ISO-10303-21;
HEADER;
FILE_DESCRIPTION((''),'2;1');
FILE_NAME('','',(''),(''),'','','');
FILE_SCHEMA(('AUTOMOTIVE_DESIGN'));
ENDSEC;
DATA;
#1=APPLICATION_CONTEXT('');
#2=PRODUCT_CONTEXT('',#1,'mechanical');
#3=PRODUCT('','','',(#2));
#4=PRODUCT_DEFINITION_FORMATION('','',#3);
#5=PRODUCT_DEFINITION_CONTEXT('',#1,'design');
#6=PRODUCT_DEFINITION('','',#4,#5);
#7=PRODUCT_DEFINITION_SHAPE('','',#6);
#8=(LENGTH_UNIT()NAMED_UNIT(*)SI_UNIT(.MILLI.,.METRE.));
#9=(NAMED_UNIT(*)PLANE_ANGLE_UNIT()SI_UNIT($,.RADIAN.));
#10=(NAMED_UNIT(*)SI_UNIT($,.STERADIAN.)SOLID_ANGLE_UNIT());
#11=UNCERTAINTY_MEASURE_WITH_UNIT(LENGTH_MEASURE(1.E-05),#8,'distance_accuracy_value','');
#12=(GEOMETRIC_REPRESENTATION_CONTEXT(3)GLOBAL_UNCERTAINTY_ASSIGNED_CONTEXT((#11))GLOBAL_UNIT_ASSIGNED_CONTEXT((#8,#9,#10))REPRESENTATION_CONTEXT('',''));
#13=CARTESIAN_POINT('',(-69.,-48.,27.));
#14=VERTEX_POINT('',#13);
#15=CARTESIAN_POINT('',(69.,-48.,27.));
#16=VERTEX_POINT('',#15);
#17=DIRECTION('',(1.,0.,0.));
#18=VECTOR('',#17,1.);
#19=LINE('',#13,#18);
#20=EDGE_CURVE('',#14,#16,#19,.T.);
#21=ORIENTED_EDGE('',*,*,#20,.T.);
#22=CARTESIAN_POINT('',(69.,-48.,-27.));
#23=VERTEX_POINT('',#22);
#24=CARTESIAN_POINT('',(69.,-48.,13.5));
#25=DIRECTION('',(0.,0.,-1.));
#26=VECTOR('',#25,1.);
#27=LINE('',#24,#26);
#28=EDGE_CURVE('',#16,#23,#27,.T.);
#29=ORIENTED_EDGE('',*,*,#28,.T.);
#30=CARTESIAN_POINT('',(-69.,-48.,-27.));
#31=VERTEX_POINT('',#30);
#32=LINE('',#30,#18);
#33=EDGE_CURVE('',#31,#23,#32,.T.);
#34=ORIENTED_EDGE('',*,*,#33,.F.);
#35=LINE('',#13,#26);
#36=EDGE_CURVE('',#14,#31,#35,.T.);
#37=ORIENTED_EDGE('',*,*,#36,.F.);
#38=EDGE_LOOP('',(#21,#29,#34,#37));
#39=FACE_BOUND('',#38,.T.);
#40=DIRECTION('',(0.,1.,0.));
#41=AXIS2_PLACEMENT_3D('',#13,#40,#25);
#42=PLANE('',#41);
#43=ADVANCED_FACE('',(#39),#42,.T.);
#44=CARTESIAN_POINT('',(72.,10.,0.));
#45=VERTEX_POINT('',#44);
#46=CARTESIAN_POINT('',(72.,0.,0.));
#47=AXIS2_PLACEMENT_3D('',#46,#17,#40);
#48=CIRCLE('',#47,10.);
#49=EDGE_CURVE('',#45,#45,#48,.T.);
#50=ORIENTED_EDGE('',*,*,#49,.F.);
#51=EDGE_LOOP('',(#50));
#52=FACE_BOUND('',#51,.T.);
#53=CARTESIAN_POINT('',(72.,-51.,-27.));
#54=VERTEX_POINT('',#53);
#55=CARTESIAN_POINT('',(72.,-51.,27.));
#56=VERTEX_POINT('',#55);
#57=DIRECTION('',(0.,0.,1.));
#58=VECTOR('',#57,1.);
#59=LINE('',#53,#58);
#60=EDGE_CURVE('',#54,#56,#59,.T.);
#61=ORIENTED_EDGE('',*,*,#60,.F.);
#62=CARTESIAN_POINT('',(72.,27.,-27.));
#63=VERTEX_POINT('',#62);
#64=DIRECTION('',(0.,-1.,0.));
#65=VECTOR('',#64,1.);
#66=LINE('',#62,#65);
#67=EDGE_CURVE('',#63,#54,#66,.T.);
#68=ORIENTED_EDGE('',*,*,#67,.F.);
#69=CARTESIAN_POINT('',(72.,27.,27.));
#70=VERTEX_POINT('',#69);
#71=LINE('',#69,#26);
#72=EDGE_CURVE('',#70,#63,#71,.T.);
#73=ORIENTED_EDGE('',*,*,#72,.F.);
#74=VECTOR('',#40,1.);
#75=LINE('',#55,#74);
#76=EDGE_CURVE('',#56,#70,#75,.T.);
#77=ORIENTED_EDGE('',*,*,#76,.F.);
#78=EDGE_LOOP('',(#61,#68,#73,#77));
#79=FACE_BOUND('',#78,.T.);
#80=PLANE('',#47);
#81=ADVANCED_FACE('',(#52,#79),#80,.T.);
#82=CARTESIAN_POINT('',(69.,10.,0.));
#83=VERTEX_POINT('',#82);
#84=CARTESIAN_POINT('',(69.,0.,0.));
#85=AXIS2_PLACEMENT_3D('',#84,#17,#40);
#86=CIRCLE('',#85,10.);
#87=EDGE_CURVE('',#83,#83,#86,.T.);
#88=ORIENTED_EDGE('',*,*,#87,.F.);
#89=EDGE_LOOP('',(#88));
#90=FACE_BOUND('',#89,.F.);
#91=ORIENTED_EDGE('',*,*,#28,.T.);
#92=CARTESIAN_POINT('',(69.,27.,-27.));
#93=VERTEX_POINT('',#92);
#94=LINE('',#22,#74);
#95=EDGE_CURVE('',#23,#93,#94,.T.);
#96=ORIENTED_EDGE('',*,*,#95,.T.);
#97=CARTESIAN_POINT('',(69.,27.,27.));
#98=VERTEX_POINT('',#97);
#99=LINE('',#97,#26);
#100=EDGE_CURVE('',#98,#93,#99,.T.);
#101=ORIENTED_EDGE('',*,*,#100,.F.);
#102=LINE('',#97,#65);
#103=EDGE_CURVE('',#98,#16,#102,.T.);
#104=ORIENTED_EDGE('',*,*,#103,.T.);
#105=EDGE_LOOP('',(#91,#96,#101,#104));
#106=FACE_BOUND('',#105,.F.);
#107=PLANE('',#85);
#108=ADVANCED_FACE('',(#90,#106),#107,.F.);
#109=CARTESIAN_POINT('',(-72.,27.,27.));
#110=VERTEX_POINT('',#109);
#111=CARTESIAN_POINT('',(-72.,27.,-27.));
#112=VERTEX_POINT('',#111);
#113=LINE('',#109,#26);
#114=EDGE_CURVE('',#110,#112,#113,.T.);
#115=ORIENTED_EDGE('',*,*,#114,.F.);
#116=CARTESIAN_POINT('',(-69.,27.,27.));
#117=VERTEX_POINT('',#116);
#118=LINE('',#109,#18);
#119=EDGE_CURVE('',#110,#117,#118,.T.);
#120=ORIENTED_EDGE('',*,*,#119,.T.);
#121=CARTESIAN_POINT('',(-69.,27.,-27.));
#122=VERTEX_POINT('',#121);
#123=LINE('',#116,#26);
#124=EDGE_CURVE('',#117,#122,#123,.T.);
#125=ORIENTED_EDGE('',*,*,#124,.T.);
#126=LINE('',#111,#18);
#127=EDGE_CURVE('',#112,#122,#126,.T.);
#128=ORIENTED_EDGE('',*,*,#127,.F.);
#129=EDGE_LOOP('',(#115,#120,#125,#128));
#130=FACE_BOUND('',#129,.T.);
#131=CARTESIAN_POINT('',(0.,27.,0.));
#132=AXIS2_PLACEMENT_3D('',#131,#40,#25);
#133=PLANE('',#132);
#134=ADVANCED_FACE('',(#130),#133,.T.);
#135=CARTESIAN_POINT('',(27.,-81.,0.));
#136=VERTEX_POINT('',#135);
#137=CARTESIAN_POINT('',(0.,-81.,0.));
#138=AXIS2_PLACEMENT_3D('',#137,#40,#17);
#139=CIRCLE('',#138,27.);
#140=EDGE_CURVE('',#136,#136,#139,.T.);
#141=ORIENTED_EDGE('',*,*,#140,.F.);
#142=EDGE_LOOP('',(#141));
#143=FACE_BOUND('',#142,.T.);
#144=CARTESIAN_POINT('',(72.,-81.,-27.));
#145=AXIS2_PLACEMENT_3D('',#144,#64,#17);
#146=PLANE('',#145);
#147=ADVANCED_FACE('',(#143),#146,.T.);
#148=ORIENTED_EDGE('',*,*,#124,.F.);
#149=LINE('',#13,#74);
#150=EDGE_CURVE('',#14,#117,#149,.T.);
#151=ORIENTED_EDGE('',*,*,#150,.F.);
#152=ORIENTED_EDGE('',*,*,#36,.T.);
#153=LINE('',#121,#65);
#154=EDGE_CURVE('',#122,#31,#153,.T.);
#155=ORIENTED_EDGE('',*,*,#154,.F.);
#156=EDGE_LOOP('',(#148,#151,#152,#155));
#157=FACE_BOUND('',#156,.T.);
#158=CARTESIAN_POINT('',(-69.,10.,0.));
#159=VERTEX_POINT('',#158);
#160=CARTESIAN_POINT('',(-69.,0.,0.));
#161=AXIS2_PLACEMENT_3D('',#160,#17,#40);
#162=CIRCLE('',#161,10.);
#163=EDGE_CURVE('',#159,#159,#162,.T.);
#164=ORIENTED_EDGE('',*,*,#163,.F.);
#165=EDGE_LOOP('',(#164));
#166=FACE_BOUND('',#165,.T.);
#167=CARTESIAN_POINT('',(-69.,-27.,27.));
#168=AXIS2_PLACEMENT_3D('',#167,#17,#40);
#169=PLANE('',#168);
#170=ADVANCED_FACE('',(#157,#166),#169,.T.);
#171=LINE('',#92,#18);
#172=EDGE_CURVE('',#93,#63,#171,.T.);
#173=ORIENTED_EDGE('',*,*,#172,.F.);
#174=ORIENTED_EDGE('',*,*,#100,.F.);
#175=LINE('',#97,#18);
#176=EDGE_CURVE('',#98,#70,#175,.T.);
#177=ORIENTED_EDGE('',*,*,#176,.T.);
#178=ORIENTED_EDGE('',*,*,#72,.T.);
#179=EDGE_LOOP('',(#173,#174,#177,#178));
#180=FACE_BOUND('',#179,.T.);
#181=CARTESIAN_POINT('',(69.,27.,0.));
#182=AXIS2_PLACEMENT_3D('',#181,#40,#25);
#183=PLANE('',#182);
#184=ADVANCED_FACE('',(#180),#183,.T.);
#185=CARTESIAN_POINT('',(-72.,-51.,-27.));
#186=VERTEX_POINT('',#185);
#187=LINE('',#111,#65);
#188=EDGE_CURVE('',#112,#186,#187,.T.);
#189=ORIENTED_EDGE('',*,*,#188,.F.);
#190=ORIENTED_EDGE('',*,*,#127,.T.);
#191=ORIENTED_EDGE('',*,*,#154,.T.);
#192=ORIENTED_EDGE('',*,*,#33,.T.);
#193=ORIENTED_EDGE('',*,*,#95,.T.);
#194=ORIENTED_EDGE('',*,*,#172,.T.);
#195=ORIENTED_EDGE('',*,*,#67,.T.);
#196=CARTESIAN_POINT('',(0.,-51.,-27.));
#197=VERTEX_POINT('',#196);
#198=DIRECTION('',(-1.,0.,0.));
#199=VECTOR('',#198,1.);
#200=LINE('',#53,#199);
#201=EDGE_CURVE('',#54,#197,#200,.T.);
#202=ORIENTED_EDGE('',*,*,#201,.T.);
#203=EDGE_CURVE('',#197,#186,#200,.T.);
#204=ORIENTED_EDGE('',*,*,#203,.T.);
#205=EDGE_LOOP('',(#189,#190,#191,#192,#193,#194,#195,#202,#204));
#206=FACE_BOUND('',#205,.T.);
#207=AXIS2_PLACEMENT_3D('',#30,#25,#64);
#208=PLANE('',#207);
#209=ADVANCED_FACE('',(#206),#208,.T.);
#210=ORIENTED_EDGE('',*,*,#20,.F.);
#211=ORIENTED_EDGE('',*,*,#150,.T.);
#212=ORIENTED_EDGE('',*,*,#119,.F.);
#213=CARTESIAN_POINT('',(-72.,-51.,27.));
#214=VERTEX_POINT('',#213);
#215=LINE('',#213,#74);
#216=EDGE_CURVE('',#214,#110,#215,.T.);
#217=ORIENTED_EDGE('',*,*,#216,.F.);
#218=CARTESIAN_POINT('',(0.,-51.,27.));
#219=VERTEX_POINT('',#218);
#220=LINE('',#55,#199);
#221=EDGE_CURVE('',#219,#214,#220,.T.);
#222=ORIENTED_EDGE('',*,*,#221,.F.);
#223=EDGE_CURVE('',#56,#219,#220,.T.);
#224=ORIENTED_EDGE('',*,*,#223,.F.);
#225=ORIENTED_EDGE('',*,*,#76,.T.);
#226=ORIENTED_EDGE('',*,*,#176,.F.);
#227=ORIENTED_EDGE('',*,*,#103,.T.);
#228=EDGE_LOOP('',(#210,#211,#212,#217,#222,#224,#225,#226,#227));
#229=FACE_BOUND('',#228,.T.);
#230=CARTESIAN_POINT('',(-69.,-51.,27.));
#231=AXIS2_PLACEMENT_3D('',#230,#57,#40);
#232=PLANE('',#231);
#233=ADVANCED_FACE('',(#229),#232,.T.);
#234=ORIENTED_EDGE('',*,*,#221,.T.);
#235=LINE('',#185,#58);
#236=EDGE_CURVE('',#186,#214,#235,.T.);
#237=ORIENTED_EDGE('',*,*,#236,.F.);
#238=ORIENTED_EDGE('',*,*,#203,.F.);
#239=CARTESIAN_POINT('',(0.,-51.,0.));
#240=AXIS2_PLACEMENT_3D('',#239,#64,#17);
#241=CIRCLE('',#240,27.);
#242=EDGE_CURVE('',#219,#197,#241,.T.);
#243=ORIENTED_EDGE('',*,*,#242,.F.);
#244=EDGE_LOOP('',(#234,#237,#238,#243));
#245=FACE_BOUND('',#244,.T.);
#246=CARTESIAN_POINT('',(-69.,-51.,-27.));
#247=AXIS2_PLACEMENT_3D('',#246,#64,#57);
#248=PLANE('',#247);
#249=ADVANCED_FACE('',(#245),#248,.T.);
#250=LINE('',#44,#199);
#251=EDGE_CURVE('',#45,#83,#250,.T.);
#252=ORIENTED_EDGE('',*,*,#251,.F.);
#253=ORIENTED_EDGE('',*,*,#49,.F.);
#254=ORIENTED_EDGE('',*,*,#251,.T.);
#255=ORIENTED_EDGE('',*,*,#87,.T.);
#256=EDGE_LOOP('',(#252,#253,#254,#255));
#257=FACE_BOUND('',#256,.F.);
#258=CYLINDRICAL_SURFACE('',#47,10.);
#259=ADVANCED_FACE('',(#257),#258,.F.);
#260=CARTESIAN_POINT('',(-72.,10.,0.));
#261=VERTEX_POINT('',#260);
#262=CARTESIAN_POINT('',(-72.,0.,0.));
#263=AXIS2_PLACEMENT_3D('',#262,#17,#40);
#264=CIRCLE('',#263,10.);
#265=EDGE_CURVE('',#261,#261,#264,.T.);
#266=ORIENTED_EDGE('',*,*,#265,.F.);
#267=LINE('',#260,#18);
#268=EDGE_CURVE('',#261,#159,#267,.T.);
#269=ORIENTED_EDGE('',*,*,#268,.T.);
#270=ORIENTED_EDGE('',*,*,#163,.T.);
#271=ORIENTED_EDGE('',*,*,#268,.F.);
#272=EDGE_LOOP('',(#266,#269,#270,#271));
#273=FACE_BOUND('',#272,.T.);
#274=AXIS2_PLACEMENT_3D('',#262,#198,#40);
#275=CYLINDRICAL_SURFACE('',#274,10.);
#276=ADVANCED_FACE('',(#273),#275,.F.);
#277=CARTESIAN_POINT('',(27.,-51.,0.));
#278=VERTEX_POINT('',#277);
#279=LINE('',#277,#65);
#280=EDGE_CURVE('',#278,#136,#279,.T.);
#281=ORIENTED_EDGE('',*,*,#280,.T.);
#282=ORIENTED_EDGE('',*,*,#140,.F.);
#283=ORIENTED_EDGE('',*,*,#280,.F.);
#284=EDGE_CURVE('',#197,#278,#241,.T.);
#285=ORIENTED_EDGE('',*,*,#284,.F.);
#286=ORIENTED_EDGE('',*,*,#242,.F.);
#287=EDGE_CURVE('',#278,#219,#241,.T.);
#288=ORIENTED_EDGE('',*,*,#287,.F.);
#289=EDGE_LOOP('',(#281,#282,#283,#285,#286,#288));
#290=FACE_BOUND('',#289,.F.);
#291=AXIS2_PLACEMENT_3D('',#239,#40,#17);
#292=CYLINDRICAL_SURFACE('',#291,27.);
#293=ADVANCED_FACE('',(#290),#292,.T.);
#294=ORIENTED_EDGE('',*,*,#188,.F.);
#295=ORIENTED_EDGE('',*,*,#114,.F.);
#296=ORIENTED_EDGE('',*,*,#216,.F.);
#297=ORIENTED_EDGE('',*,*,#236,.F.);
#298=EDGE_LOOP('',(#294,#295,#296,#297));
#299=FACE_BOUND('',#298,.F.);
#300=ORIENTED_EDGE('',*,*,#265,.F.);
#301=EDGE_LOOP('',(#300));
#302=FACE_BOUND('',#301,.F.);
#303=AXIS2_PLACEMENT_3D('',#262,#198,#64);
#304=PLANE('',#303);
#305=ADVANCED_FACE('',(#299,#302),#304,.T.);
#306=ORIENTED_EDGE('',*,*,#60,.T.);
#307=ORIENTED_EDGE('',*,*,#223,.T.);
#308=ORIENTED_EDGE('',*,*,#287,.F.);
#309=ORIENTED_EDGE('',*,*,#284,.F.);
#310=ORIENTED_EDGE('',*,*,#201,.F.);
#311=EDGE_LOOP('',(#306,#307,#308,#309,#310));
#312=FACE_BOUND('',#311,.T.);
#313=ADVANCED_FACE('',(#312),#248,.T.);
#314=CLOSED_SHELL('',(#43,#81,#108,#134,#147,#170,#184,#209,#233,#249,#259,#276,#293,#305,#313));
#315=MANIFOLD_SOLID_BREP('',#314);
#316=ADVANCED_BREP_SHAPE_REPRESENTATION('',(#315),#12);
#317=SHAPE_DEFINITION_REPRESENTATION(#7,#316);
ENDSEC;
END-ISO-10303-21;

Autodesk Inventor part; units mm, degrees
ref_plane "YZ Plane" through (0, 0, 0) normal (1, 0, 0) x (0, 1, 0)
ref_plane "XZ Plane" through (0, 0, 0) normal (0, 1, 0) x (-1, 0, 0)
ref_plane "XY Plane" through (0, 0, 0) normal (0, 0, 1) x (1, 0, 0)
sketch "Sketch1" plane through (0, 0, 0) normal (0, 0, 1) x (1, 0, 0)
  line L0 (0, 0) -> (27, 0) construction
  line L1 (27, 0) -> (27, 27)
  line L2 (27, 27) -> (0, 27)
  line L3 (0, 27) -> (0, 0) construction
  line L4 (-27, 0) -> (-27, 27)
  line L5 (-27, 27) -> (0, 27)
  line L6 (27, 0) -> (27, -27)
  line L7 (27, -27) -> (0, -27)
  line L8 (-27, -27) -> (0, -27)
  line L9 (-27, 0) -> (-27, -27)
  dimension "d0" = 27
extrude "Extrusion1" add sketch "Sketch1" along normal mid plane 138
sketch "Sketch2" plane through (0, 0, 69) normal (0, 0, 1) x (1, 0, 0)
  line L0 (27, -27) -> (27, 27) projected
  line L1 (27, 27) -> (-27, 27) projected
  line L2 (-27, 27) -> (-27, -27) projected
  line L3 (-27, -27) -> (27, -27) projected
  circle A0 centre (0, 0) radius 27
extrude "Extrusion2" cut sketch "Sketch2" against normal blind 30 contours L3 A0 L0 | A0 L1 L0 | L3 L2 A0 | A0 L2 L1
sketch "Sketch3" plane through (0, 0, 69) normal (0, 0, 1) x (1, 0, 0)
  circle A0 centre (0, 0) radius 27 projected
  line L0 (-51, 27) -> (27, 27)
  line L1 (27, 27) -> (27, -27)
  line L2 (27, -27) -> (-51, -27)
  line L3 (-51, -27) -> (-51, 27)
  line L4 (27, 27) -> (27, 0) projected
  line L5 (27, 27) -> (27, -27) projected
  line L6 (0, 27) -> (27, 27) projected
  line L7 (27, -27) -> (0, -27) projected
  dimension "d6" = 51
extrude "Extrusion3" add sketch "Sketch3" along normal blind 3
sketch "Sketch4" plane through (0, 0, 72) normal (0, 0, 1) x (1, 0, 0)
  circle A0 centre (0, 0) radius 10
  dimension "d9" = 20
extrude "Extrusion4" cut sketch "Sketch4" against normal blind 3
mirror "Mirror1" about plane through (0, 0, 0) normal (0, 0, 1) of "Extrusion3", "Extrusion4"
sketch "Sketch5" plane through (-51, 27, -69) normal (0, 0, 1) x (1, 0, 0)
  line L0 (24, -54) -> (0, -54) projected
  line L1 (0, 0) -> (3, 0)
  line L2 (3, 0) -> (3, -54)
  line L3 (3, -54) -> (0, -54)
  line L4 (0, -54) -> (0, 0)
  point P0 (51, -27)
  dimension "d13" = 3
extrude "Extrusion5" add sketch "Sketch5" along normal up to next
sketch "Sketch6" plane through (-51, -27, 72) normal (-1, 0, 0) x (0, 0, 1)
  line L0 (0, 0) -> (-144, 0) projected
  circle A0 centre (-72, 27) radius 27
extrude "Extrusion6" add sketch "Sketch6" along normal blind 30
sketch "Sketch7" plane through (-27, 27, 39) normal (0, 1, 0) x (1, 0, 0)
  line L0 (0, 108) -> (54, 108)
  line L1 (54, 108) -> (54, -30)
  line L2 (54, -30) -> (0, -30)
  line L3 (0, -30) -> (0, 108)
  point P0 (27, 39)
extrude "Extrusion7" cut sketch "Sketch7" against normal through all
move or copy body "Move Body1" bodies to move or copy 1 copy no rotation origin (0, 0, 0) rotation axis (1, 0, 0) rotation angle 90
move or copy body "Move Body2" bodies to move or copy 1 copy no rotation origin (0, 0, 0) rotation axis (0, 0, 1) rotation angle 90
properties part number "Sholder_Pitch"
